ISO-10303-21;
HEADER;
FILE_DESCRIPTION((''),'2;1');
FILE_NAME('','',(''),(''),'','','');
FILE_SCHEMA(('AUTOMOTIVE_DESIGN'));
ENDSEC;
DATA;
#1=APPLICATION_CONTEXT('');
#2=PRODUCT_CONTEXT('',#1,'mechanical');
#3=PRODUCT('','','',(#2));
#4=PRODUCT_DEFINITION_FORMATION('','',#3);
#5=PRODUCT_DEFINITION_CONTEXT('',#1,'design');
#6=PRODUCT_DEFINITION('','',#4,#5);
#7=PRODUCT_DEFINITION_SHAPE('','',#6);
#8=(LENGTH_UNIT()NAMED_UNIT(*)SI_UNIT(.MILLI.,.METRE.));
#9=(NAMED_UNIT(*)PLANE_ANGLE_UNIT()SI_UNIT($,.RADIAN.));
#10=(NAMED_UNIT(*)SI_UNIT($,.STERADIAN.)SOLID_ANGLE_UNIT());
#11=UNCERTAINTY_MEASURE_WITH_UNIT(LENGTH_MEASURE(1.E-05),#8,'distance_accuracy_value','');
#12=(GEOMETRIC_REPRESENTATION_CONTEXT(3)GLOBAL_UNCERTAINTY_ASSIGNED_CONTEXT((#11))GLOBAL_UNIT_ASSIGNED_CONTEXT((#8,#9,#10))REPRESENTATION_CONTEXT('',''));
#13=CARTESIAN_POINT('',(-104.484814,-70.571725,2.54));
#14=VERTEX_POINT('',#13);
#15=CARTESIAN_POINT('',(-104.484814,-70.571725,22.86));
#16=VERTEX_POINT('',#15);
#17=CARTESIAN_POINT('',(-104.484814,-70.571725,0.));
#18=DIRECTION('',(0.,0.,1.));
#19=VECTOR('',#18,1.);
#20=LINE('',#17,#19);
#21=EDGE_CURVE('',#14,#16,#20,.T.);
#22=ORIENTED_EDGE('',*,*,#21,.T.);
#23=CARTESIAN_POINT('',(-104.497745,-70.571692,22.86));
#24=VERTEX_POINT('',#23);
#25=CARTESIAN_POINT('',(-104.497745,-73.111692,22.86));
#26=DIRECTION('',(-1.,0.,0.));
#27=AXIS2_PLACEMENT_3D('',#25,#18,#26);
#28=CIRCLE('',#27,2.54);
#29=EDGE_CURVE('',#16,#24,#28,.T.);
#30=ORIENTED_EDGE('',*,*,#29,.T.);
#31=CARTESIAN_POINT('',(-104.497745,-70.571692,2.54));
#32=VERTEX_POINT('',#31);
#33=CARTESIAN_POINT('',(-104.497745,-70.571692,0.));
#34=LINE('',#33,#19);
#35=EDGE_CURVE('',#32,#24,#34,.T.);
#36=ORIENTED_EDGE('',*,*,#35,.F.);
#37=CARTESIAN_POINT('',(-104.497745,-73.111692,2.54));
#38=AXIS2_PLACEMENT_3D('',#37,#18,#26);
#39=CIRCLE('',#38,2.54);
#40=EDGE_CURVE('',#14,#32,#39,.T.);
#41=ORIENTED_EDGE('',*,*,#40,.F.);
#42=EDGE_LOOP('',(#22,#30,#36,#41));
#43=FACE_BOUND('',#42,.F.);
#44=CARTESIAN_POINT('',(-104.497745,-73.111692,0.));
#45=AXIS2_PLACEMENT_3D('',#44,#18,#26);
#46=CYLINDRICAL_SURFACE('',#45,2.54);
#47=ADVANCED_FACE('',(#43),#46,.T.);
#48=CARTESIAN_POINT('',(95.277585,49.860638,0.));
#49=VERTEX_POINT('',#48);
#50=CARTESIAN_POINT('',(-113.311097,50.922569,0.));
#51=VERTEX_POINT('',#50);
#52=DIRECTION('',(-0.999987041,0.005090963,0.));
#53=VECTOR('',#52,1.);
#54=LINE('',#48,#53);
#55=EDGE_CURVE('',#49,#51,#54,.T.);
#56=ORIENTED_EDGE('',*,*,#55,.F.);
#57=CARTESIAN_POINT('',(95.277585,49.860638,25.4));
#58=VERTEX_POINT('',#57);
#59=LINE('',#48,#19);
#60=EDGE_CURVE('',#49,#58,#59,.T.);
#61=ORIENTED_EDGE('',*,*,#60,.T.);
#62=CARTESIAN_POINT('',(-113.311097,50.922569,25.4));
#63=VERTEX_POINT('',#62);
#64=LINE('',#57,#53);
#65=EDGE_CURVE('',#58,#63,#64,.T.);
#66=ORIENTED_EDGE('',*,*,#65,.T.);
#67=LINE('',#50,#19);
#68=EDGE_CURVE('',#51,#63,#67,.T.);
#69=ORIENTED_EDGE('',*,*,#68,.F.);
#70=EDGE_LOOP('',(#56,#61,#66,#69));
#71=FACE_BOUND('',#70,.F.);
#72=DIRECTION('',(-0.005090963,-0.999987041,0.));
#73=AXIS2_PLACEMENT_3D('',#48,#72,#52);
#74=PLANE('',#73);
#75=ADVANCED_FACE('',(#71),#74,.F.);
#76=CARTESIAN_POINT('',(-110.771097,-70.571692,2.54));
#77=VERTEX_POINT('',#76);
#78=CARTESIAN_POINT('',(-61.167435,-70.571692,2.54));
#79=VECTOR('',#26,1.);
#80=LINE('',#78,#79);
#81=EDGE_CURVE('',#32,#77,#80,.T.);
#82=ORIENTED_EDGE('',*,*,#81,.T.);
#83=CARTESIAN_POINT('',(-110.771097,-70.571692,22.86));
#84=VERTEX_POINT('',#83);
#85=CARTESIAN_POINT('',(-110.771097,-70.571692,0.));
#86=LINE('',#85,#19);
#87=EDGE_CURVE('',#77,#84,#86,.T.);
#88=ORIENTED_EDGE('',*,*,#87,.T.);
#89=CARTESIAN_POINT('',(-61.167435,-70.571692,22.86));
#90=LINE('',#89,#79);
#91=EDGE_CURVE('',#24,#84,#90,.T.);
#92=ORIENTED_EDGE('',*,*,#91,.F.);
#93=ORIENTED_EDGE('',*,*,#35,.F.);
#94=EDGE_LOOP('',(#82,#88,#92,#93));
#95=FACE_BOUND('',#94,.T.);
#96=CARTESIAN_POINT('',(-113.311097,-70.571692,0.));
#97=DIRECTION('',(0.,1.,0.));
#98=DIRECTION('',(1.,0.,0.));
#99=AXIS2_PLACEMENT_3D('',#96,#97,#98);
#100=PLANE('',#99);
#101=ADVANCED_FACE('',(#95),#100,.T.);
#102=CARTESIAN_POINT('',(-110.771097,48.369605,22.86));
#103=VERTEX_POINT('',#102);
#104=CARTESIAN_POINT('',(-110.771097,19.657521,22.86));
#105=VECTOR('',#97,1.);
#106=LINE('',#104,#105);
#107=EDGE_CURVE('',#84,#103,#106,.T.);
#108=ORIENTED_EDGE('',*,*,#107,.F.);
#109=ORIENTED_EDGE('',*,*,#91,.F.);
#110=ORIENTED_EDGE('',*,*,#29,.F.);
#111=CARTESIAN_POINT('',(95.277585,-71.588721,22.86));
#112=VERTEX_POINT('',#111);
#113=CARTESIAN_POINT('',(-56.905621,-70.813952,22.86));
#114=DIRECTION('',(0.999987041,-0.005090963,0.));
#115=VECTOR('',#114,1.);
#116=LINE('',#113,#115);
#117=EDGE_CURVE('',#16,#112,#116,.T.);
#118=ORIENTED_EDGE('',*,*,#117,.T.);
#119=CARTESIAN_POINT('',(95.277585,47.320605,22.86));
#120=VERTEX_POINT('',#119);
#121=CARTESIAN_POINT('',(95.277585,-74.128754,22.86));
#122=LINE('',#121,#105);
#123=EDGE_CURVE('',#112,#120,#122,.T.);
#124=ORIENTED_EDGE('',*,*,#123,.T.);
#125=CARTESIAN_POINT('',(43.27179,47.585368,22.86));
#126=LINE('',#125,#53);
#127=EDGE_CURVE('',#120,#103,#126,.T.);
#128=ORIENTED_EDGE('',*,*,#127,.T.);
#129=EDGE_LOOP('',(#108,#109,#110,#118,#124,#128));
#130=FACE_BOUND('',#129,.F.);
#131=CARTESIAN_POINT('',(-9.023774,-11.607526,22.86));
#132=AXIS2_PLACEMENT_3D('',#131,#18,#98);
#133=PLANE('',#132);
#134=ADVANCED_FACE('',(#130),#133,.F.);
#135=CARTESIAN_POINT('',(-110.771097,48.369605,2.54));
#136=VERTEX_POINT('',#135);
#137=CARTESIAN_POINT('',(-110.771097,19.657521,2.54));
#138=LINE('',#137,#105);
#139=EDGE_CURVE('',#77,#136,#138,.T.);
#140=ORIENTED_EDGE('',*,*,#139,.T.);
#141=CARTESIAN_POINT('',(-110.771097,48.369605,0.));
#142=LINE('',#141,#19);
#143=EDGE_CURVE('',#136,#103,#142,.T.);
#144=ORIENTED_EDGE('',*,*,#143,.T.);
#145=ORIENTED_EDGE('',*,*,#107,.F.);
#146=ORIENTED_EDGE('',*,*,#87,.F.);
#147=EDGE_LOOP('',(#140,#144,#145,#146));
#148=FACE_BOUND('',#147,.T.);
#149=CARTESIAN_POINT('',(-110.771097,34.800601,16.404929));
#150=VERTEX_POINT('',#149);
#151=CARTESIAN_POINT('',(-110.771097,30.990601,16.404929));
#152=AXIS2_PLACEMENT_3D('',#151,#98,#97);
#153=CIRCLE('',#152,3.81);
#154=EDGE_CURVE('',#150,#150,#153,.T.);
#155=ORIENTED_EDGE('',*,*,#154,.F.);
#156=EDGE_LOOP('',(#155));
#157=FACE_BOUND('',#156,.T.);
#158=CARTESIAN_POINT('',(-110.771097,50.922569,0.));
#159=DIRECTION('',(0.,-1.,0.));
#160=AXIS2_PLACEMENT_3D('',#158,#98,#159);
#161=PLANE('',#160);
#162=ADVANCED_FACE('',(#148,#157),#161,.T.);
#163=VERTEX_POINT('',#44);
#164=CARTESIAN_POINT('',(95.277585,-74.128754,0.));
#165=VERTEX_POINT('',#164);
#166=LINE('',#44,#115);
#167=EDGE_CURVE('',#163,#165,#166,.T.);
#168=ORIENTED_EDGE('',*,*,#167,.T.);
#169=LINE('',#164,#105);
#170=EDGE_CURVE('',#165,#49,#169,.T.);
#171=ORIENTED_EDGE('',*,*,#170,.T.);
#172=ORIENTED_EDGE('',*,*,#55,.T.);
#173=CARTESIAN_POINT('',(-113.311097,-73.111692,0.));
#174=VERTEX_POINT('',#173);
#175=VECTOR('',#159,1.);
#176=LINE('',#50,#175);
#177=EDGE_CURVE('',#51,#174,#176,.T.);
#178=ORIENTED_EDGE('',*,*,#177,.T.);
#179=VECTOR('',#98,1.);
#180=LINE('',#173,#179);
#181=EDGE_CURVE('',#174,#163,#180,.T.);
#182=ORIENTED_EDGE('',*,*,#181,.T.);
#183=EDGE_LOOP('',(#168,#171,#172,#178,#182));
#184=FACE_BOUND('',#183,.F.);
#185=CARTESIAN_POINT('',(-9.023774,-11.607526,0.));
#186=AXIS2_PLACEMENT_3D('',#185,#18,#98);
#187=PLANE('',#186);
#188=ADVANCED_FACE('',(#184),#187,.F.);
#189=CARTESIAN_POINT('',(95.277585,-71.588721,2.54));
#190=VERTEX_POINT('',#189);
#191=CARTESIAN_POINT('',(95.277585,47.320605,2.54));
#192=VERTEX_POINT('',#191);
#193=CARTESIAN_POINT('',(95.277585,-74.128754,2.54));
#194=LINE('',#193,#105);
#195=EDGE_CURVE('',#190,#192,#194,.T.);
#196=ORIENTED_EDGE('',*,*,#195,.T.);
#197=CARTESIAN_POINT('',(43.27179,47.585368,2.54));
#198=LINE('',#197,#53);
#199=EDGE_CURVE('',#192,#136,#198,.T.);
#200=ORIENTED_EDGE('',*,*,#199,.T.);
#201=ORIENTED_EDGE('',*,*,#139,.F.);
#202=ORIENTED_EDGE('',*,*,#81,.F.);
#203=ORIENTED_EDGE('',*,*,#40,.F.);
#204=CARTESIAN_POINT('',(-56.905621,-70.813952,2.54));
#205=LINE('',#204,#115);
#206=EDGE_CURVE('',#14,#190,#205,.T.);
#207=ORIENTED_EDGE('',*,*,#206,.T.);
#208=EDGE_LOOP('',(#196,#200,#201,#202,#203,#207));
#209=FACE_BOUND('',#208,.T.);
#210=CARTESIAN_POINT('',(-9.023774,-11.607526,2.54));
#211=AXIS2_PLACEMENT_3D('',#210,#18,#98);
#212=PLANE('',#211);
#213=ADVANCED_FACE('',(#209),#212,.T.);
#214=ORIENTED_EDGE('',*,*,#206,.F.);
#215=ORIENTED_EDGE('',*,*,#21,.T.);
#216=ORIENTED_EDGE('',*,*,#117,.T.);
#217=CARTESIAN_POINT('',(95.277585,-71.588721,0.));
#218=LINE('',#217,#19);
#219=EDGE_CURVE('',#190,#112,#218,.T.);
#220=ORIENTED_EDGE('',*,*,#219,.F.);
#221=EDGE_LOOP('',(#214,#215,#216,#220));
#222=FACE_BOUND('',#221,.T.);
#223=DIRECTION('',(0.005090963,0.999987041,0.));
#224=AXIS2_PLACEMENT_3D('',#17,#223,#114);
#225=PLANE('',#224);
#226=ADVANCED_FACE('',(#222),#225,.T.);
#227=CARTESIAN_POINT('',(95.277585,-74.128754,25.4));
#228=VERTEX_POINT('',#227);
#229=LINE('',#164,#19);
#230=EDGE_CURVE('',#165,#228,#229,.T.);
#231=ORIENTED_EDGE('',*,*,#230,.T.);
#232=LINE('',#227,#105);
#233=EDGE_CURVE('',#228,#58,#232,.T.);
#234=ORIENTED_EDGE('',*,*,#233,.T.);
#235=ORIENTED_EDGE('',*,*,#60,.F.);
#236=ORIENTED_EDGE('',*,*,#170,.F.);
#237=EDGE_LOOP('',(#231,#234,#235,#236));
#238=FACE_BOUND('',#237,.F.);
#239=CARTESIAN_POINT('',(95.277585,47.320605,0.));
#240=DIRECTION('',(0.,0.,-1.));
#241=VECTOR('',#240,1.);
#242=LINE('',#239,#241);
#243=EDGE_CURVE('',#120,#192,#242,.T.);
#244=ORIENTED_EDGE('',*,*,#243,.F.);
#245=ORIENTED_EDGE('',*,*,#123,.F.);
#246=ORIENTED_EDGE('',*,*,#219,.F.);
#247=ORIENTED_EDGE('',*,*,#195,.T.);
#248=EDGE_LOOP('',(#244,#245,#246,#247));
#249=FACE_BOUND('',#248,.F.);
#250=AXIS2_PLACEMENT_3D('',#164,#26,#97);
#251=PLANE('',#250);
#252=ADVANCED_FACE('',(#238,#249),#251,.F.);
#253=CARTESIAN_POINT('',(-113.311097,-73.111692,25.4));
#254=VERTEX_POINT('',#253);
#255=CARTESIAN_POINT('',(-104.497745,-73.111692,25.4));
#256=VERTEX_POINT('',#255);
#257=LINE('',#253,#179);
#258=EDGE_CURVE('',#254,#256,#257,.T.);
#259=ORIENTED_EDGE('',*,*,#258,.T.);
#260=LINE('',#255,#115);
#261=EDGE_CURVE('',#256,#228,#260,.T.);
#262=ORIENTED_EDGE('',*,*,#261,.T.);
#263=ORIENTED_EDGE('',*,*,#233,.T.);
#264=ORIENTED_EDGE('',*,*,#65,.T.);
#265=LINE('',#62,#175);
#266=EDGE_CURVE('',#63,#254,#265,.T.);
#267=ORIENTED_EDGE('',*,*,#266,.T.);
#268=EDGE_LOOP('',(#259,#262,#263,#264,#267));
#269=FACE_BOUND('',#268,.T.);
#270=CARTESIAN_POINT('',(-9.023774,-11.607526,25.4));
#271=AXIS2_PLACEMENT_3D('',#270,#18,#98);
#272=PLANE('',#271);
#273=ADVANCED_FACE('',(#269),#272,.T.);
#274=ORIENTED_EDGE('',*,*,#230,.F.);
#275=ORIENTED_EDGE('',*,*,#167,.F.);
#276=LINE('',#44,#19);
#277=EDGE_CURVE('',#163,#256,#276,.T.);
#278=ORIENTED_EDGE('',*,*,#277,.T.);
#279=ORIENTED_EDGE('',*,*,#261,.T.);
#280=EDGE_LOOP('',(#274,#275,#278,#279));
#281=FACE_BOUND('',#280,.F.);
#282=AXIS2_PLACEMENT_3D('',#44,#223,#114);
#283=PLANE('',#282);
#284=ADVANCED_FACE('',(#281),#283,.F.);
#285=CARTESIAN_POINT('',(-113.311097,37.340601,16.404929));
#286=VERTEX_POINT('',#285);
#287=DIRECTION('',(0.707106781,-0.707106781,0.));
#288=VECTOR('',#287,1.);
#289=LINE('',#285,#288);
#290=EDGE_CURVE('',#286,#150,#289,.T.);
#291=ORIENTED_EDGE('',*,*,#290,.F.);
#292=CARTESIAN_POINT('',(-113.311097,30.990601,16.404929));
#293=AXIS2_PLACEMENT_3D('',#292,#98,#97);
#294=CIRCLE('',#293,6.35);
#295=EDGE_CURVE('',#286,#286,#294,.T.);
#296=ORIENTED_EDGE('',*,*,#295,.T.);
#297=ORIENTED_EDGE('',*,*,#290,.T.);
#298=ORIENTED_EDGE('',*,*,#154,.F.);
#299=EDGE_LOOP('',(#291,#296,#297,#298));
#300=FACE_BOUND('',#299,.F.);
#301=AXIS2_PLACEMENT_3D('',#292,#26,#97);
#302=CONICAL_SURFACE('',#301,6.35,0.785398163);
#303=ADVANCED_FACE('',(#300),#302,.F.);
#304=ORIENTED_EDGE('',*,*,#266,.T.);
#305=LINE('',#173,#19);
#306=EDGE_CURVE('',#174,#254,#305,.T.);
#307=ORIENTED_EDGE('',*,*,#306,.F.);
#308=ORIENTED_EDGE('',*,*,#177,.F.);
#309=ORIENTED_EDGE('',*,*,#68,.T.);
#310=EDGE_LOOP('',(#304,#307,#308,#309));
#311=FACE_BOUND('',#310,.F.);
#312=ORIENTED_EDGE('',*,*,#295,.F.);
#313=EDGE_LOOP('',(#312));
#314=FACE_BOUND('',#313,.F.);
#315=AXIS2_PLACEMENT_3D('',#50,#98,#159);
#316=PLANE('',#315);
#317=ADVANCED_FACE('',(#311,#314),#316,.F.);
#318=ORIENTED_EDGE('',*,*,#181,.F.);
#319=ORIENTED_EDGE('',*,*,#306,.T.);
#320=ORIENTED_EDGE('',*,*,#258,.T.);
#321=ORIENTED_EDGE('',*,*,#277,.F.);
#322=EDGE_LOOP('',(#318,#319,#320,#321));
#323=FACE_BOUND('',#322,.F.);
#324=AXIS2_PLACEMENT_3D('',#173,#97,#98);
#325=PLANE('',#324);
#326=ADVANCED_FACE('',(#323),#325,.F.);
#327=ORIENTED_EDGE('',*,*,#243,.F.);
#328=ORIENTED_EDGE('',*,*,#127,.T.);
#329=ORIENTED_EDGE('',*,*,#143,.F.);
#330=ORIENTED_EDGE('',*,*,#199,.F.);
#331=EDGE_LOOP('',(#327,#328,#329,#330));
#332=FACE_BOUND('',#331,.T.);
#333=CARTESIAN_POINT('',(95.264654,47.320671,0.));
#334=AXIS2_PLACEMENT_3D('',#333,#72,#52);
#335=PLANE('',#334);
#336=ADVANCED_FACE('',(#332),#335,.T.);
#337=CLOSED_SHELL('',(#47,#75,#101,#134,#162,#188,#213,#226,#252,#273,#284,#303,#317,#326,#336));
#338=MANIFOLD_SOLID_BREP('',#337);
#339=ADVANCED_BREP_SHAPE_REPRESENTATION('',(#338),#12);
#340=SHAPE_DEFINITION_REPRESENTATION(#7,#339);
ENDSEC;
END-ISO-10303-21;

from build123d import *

# Parameters (mm, degrees)
F1_DEPTH       = 25.4
F3_T           = -2.54
F4_D           = 6.35
F4_DEPTH       = 12.7
F4_CSINK_D     = 12.7
F4_CSINK_ANGLE = 90


with BuildPart() as f1:
    # F0 (on Top) → F1 (new body)
    with BuildSketch(Plane.XY):
        Polygon((95.277585, 49.860638), (-113.311097, 50.922569), (-113.311097, -73.111692), (-104.497745, -73.111692), (95.277585, -74.128754), align=None)
    extrude(amount=F1_DEPTH)

    # F3
    f3_openings = [f1.faces().sort_by_distance(p)[0] for p in [
        (95.277585, -12.134058, 12.7),
    ]]
    offset(amount=F3_T, openings=f3_openings)

    # F4
    with Locations(Plane(origin=(-113.311097, 0, 0), x_dir=(0, -1, 0), z_dir=(-1, 0, 0))):
        with Locations((-30.990601, 16.404929)):
            CounterSinkHole(F4_D / 2, F4_CSINK_D / 2, depth=F4_DEPTH, counter_sink_angle=F4_CSINK_ANGLE)


solid = f1.part
